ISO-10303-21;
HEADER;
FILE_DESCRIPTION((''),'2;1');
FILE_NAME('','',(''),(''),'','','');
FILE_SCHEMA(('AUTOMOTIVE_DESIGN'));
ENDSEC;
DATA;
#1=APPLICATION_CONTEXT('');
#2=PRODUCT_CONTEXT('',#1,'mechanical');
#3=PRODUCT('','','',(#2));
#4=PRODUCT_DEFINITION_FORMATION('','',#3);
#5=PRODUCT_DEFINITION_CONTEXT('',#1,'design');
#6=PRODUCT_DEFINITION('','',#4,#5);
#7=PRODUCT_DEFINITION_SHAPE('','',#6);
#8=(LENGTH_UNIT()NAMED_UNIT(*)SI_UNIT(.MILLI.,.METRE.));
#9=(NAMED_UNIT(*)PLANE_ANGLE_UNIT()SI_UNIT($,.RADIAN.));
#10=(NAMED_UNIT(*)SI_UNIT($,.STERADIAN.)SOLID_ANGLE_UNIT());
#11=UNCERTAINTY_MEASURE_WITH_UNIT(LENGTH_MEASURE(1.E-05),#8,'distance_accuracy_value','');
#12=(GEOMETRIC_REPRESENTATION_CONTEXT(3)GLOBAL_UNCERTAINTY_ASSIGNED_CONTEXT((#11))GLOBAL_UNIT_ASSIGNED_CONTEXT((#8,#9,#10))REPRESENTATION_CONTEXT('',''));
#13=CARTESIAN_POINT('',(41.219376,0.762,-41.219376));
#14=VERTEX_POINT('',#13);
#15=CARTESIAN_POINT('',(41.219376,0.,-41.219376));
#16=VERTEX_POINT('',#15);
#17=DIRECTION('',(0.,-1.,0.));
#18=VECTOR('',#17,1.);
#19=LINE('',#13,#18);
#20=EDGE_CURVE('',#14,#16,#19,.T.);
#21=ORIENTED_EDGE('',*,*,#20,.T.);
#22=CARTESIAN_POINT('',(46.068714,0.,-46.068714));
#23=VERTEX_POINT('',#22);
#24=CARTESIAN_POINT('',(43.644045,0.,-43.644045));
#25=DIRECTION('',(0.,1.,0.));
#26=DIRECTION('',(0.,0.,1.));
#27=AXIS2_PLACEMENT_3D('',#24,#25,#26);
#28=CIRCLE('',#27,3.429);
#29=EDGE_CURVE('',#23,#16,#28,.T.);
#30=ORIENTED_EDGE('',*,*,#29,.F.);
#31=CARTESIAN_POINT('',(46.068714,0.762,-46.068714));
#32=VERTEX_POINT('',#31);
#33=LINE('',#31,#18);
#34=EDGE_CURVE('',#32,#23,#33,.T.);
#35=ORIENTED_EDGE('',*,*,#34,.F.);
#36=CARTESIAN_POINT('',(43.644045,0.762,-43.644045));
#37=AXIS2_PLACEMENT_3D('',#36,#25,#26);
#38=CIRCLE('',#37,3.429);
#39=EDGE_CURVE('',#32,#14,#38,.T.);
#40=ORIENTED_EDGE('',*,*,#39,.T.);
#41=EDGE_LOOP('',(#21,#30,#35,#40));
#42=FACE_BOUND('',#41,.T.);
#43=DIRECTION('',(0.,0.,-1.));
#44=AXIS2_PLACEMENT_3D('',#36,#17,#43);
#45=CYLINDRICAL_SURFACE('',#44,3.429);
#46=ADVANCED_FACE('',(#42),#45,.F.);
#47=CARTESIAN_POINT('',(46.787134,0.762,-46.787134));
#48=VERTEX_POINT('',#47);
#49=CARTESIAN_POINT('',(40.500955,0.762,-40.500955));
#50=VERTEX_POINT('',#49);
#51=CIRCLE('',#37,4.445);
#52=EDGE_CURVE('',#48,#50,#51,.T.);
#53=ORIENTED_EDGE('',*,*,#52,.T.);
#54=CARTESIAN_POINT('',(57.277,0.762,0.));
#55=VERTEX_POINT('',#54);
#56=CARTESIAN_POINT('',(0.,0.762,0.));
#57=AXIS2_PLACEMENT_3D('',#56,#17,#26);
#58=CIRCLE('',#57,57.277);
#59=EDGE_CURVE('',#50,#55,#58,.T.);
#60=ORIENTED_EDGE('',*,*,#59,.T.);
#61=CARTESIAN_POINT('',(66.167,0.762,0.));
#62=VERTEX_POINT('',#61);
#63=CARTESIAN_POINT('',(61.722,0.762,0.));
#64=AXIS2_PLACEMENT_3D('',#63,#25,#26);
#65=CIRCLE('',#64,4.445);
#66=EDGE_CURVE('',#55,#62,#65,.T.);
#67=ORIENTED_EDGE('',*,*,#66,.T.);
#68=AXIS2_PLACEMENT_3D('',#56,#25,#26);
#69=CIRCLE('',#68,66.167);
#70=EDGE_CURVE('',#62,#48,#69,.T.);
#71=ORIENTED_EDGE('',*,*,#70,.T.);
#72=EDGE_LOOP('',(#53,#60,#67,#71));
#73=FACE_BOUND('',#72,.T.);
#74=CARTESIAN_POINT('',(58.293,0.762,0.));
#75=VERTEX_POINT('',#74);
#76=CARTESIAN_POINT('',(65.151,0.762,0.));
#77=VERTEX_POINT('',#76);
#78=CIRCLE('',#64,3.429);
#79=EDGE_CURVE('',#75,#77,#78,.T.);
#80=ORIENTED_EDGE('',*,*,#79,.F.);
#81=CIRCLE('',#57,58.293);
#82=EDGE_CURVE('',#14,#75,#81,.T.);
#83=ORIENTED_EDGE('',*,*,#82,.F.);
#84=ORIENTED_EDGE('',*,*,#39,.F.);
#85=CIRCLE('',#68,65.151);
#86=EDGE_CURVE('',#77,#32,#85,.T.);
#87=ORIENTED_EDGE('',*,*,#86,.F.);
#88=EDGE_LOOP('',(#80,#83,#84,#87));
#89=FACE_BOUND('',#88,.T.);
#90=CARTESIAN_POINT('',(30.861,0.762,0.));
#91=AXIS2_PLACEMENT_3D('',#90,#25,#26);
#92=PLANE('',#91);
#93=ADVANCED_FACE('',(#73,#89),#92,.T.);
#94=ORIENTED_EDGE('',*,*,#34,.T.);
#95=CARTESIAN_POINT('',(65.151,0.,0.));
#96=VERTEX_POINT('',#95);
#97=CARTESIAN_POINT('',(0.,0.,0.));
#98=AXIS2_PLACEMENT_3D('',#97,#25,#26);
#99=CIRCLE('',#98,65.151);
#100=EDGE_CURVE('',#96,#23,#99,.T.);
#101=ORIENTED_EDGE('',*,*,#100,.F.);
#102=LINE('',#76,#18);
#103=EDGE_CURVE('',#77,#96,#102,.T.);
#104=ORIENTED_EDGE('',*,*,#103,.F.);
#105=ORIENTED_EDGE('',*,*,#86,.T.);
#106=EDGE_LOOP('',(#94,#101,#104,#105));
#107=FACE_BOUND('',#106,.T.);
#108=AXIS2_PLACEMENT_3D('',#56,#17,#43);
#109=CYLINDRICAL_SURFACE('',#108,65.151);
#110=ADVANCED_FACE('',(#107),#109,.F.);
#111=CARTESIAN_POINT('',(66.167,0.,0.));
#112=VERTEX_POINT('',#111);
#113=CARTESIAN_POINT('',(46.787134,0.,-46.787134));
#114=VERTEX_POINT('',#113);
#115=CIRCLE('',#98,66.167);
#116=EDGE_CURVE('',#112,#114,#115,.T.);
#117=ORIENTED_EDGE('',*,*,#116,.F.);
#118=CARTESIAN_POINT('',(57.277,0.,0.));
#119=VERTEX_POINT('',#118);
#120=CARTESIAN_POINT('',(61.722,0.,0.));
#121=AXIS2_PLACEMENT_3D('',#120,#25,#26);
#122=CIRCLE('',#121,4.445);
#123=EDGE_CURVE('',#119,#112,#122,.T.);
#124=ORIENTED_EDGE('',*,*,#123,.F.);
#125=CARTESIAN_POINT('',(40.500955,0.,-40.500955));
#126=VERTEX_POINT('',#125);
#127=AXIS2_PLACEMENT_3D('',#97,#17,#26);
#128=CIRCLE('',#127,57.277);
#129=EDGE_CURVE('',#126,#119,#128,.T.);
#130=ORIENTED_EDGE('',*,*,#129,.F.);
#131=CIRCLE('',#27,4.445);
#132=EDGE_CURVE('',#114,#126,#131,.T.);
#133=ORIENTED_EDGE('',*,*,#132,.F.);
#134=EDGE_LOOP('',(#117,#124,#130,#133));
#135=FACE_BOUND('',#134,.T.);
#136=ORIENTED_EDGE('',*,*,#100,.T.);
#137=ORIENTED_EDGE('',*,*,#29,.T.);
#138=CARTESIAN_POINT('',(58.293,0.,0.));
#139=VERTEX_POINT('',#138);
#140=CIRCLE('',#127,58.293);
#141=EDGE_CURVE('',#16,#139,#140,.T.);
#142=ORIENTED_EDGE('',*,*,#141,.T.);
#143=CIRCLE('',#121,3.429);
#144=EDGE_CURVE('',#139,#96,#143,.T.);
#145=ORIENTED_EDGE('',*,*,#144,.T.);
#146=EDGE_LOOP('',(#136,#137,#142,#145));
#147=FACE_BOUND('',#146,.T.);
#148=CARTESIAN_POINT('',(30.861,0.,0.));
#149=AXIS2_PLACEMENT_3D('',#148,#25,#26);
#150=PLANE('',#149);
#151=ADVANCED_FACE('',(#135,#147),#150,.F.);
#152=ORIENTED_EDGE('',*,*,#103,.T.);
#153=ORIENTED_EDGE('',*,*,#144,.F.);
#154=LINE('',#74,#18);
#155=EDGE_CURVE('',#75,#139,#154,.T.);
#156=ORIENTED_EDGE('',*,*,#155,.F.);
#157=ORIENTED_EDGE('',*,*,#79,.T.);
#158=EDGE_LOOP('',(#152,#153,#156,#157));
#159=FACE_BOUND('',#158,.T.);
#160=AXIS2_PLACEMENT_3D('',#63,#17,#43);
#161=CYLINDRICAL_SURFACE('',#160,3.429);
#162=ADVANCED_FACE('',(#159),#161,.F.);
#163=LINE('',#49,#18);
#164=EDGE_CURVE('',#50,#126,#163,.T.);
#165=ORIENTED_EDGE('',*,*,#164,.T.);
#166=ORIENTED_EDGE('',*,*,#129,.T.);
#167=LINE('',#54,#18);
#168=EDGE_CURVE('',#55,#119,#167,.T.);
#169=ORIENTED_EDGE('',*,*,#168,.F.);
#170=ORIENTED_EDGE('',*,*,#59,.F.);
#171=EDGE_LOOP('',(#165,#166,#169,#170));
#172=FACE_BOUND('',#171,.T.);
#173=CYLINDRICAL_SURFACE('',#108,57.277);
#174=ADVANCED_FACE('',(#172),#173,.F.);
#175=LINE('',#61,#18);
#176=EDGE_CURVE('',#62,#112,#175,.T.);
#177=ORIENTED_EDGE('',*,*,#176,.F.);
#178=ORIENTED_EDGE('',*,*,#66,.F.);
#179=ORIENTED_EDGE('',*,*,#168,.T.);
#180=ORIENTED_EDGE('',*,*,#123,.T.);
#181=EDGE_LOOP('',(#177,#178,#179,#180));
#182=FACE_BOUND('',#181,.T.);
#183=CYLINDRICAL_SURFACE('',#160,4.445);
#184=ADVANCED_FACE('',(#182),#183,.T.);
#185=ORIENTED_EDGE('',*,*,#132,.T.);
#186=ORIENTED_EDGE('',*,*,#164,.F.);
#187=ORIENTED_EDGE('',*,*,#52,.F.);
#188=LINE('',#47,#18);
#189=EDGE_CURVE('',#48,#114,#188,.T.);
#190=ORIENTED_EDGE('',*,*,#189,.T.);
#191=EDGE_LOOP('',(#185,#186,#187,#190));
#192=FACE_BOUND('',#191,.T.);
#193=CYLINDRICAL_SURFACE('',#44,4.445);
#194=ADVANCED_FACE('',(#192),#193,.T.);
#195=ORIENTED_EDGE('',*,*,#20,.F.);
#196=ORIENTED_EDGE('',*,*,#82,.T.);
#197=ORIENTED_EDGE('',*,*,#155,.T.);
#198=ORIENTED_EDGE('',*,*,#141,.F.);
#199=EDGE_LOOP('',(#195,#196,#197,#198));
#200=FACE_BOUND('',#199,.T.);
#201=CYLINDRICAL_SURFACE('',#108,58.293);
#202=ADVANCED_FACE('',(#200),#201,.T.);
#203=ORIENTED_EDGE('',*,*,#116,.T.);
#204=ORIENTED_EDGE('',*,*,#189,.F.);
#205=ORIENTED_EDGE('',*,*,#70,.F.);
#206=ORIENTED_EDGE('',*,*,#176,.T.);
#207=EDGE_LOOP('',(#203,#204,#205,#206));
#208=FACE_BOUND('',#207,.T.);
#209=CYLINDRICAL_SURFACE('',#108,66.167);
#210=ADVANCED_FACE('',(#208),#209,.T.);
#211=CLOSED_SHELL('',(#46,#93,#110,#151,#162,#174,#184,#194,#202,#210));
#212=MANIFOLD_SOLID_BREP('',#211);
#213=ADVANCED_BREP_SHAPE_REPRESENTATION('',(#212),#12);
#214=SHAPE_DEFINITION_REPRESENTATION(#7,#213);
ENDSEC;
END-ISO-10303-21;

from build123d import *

# Parameters (mm, degrees)
BOSS_EXTRUDE1_DEPTH = 0.762


with BuildPart() as part:
    # Sketch1 → Boss-Extrude1 (new body)
    with BuildSketch(Plane(origin=(0, 0, 0), x_dir=(1, 0, 0), z_dir=(0, 1, 0))):
        with BuildLine():
            ThreePointArc((66.167, 0), (61.130337028, 25.321014669), (46.787134391, 46.787134391))
            ThreePointArc((46.787134391, 46.787134391), (40.500955106, 46.787134391), (40.500955106, 40.500955106))
            ThreePointArc((40.500955106, 40.500955106), (52.917047984, 21.918958956), (57.277, 0))
            ThreePointArc((57.277, 0), (61.722, -4.445), (66.167, 0))
        make_face()
        with BuildLine():
            ThreePointArc((65.151, 0), (60.191675423, 24.932208302), (46.068713901, 46.068713901))
            ThreePointArc((46.068713901, 46.068713901), (41.219375596, 46.068713901), (41.219375596, 41.219375596))
            ThreePointArc((41.219375596, 41.219375596), (53.855709589, 22.307765323), (58.293, 0))
            ThreePointArc((58.293, 0), (61.722, -3.429), (65.151, 0))
        make_face(mode=Mode.SUBTRACT)
    extrude(amount=BOSS_EXTRUDE1_DEPTH)


solid = part.part
